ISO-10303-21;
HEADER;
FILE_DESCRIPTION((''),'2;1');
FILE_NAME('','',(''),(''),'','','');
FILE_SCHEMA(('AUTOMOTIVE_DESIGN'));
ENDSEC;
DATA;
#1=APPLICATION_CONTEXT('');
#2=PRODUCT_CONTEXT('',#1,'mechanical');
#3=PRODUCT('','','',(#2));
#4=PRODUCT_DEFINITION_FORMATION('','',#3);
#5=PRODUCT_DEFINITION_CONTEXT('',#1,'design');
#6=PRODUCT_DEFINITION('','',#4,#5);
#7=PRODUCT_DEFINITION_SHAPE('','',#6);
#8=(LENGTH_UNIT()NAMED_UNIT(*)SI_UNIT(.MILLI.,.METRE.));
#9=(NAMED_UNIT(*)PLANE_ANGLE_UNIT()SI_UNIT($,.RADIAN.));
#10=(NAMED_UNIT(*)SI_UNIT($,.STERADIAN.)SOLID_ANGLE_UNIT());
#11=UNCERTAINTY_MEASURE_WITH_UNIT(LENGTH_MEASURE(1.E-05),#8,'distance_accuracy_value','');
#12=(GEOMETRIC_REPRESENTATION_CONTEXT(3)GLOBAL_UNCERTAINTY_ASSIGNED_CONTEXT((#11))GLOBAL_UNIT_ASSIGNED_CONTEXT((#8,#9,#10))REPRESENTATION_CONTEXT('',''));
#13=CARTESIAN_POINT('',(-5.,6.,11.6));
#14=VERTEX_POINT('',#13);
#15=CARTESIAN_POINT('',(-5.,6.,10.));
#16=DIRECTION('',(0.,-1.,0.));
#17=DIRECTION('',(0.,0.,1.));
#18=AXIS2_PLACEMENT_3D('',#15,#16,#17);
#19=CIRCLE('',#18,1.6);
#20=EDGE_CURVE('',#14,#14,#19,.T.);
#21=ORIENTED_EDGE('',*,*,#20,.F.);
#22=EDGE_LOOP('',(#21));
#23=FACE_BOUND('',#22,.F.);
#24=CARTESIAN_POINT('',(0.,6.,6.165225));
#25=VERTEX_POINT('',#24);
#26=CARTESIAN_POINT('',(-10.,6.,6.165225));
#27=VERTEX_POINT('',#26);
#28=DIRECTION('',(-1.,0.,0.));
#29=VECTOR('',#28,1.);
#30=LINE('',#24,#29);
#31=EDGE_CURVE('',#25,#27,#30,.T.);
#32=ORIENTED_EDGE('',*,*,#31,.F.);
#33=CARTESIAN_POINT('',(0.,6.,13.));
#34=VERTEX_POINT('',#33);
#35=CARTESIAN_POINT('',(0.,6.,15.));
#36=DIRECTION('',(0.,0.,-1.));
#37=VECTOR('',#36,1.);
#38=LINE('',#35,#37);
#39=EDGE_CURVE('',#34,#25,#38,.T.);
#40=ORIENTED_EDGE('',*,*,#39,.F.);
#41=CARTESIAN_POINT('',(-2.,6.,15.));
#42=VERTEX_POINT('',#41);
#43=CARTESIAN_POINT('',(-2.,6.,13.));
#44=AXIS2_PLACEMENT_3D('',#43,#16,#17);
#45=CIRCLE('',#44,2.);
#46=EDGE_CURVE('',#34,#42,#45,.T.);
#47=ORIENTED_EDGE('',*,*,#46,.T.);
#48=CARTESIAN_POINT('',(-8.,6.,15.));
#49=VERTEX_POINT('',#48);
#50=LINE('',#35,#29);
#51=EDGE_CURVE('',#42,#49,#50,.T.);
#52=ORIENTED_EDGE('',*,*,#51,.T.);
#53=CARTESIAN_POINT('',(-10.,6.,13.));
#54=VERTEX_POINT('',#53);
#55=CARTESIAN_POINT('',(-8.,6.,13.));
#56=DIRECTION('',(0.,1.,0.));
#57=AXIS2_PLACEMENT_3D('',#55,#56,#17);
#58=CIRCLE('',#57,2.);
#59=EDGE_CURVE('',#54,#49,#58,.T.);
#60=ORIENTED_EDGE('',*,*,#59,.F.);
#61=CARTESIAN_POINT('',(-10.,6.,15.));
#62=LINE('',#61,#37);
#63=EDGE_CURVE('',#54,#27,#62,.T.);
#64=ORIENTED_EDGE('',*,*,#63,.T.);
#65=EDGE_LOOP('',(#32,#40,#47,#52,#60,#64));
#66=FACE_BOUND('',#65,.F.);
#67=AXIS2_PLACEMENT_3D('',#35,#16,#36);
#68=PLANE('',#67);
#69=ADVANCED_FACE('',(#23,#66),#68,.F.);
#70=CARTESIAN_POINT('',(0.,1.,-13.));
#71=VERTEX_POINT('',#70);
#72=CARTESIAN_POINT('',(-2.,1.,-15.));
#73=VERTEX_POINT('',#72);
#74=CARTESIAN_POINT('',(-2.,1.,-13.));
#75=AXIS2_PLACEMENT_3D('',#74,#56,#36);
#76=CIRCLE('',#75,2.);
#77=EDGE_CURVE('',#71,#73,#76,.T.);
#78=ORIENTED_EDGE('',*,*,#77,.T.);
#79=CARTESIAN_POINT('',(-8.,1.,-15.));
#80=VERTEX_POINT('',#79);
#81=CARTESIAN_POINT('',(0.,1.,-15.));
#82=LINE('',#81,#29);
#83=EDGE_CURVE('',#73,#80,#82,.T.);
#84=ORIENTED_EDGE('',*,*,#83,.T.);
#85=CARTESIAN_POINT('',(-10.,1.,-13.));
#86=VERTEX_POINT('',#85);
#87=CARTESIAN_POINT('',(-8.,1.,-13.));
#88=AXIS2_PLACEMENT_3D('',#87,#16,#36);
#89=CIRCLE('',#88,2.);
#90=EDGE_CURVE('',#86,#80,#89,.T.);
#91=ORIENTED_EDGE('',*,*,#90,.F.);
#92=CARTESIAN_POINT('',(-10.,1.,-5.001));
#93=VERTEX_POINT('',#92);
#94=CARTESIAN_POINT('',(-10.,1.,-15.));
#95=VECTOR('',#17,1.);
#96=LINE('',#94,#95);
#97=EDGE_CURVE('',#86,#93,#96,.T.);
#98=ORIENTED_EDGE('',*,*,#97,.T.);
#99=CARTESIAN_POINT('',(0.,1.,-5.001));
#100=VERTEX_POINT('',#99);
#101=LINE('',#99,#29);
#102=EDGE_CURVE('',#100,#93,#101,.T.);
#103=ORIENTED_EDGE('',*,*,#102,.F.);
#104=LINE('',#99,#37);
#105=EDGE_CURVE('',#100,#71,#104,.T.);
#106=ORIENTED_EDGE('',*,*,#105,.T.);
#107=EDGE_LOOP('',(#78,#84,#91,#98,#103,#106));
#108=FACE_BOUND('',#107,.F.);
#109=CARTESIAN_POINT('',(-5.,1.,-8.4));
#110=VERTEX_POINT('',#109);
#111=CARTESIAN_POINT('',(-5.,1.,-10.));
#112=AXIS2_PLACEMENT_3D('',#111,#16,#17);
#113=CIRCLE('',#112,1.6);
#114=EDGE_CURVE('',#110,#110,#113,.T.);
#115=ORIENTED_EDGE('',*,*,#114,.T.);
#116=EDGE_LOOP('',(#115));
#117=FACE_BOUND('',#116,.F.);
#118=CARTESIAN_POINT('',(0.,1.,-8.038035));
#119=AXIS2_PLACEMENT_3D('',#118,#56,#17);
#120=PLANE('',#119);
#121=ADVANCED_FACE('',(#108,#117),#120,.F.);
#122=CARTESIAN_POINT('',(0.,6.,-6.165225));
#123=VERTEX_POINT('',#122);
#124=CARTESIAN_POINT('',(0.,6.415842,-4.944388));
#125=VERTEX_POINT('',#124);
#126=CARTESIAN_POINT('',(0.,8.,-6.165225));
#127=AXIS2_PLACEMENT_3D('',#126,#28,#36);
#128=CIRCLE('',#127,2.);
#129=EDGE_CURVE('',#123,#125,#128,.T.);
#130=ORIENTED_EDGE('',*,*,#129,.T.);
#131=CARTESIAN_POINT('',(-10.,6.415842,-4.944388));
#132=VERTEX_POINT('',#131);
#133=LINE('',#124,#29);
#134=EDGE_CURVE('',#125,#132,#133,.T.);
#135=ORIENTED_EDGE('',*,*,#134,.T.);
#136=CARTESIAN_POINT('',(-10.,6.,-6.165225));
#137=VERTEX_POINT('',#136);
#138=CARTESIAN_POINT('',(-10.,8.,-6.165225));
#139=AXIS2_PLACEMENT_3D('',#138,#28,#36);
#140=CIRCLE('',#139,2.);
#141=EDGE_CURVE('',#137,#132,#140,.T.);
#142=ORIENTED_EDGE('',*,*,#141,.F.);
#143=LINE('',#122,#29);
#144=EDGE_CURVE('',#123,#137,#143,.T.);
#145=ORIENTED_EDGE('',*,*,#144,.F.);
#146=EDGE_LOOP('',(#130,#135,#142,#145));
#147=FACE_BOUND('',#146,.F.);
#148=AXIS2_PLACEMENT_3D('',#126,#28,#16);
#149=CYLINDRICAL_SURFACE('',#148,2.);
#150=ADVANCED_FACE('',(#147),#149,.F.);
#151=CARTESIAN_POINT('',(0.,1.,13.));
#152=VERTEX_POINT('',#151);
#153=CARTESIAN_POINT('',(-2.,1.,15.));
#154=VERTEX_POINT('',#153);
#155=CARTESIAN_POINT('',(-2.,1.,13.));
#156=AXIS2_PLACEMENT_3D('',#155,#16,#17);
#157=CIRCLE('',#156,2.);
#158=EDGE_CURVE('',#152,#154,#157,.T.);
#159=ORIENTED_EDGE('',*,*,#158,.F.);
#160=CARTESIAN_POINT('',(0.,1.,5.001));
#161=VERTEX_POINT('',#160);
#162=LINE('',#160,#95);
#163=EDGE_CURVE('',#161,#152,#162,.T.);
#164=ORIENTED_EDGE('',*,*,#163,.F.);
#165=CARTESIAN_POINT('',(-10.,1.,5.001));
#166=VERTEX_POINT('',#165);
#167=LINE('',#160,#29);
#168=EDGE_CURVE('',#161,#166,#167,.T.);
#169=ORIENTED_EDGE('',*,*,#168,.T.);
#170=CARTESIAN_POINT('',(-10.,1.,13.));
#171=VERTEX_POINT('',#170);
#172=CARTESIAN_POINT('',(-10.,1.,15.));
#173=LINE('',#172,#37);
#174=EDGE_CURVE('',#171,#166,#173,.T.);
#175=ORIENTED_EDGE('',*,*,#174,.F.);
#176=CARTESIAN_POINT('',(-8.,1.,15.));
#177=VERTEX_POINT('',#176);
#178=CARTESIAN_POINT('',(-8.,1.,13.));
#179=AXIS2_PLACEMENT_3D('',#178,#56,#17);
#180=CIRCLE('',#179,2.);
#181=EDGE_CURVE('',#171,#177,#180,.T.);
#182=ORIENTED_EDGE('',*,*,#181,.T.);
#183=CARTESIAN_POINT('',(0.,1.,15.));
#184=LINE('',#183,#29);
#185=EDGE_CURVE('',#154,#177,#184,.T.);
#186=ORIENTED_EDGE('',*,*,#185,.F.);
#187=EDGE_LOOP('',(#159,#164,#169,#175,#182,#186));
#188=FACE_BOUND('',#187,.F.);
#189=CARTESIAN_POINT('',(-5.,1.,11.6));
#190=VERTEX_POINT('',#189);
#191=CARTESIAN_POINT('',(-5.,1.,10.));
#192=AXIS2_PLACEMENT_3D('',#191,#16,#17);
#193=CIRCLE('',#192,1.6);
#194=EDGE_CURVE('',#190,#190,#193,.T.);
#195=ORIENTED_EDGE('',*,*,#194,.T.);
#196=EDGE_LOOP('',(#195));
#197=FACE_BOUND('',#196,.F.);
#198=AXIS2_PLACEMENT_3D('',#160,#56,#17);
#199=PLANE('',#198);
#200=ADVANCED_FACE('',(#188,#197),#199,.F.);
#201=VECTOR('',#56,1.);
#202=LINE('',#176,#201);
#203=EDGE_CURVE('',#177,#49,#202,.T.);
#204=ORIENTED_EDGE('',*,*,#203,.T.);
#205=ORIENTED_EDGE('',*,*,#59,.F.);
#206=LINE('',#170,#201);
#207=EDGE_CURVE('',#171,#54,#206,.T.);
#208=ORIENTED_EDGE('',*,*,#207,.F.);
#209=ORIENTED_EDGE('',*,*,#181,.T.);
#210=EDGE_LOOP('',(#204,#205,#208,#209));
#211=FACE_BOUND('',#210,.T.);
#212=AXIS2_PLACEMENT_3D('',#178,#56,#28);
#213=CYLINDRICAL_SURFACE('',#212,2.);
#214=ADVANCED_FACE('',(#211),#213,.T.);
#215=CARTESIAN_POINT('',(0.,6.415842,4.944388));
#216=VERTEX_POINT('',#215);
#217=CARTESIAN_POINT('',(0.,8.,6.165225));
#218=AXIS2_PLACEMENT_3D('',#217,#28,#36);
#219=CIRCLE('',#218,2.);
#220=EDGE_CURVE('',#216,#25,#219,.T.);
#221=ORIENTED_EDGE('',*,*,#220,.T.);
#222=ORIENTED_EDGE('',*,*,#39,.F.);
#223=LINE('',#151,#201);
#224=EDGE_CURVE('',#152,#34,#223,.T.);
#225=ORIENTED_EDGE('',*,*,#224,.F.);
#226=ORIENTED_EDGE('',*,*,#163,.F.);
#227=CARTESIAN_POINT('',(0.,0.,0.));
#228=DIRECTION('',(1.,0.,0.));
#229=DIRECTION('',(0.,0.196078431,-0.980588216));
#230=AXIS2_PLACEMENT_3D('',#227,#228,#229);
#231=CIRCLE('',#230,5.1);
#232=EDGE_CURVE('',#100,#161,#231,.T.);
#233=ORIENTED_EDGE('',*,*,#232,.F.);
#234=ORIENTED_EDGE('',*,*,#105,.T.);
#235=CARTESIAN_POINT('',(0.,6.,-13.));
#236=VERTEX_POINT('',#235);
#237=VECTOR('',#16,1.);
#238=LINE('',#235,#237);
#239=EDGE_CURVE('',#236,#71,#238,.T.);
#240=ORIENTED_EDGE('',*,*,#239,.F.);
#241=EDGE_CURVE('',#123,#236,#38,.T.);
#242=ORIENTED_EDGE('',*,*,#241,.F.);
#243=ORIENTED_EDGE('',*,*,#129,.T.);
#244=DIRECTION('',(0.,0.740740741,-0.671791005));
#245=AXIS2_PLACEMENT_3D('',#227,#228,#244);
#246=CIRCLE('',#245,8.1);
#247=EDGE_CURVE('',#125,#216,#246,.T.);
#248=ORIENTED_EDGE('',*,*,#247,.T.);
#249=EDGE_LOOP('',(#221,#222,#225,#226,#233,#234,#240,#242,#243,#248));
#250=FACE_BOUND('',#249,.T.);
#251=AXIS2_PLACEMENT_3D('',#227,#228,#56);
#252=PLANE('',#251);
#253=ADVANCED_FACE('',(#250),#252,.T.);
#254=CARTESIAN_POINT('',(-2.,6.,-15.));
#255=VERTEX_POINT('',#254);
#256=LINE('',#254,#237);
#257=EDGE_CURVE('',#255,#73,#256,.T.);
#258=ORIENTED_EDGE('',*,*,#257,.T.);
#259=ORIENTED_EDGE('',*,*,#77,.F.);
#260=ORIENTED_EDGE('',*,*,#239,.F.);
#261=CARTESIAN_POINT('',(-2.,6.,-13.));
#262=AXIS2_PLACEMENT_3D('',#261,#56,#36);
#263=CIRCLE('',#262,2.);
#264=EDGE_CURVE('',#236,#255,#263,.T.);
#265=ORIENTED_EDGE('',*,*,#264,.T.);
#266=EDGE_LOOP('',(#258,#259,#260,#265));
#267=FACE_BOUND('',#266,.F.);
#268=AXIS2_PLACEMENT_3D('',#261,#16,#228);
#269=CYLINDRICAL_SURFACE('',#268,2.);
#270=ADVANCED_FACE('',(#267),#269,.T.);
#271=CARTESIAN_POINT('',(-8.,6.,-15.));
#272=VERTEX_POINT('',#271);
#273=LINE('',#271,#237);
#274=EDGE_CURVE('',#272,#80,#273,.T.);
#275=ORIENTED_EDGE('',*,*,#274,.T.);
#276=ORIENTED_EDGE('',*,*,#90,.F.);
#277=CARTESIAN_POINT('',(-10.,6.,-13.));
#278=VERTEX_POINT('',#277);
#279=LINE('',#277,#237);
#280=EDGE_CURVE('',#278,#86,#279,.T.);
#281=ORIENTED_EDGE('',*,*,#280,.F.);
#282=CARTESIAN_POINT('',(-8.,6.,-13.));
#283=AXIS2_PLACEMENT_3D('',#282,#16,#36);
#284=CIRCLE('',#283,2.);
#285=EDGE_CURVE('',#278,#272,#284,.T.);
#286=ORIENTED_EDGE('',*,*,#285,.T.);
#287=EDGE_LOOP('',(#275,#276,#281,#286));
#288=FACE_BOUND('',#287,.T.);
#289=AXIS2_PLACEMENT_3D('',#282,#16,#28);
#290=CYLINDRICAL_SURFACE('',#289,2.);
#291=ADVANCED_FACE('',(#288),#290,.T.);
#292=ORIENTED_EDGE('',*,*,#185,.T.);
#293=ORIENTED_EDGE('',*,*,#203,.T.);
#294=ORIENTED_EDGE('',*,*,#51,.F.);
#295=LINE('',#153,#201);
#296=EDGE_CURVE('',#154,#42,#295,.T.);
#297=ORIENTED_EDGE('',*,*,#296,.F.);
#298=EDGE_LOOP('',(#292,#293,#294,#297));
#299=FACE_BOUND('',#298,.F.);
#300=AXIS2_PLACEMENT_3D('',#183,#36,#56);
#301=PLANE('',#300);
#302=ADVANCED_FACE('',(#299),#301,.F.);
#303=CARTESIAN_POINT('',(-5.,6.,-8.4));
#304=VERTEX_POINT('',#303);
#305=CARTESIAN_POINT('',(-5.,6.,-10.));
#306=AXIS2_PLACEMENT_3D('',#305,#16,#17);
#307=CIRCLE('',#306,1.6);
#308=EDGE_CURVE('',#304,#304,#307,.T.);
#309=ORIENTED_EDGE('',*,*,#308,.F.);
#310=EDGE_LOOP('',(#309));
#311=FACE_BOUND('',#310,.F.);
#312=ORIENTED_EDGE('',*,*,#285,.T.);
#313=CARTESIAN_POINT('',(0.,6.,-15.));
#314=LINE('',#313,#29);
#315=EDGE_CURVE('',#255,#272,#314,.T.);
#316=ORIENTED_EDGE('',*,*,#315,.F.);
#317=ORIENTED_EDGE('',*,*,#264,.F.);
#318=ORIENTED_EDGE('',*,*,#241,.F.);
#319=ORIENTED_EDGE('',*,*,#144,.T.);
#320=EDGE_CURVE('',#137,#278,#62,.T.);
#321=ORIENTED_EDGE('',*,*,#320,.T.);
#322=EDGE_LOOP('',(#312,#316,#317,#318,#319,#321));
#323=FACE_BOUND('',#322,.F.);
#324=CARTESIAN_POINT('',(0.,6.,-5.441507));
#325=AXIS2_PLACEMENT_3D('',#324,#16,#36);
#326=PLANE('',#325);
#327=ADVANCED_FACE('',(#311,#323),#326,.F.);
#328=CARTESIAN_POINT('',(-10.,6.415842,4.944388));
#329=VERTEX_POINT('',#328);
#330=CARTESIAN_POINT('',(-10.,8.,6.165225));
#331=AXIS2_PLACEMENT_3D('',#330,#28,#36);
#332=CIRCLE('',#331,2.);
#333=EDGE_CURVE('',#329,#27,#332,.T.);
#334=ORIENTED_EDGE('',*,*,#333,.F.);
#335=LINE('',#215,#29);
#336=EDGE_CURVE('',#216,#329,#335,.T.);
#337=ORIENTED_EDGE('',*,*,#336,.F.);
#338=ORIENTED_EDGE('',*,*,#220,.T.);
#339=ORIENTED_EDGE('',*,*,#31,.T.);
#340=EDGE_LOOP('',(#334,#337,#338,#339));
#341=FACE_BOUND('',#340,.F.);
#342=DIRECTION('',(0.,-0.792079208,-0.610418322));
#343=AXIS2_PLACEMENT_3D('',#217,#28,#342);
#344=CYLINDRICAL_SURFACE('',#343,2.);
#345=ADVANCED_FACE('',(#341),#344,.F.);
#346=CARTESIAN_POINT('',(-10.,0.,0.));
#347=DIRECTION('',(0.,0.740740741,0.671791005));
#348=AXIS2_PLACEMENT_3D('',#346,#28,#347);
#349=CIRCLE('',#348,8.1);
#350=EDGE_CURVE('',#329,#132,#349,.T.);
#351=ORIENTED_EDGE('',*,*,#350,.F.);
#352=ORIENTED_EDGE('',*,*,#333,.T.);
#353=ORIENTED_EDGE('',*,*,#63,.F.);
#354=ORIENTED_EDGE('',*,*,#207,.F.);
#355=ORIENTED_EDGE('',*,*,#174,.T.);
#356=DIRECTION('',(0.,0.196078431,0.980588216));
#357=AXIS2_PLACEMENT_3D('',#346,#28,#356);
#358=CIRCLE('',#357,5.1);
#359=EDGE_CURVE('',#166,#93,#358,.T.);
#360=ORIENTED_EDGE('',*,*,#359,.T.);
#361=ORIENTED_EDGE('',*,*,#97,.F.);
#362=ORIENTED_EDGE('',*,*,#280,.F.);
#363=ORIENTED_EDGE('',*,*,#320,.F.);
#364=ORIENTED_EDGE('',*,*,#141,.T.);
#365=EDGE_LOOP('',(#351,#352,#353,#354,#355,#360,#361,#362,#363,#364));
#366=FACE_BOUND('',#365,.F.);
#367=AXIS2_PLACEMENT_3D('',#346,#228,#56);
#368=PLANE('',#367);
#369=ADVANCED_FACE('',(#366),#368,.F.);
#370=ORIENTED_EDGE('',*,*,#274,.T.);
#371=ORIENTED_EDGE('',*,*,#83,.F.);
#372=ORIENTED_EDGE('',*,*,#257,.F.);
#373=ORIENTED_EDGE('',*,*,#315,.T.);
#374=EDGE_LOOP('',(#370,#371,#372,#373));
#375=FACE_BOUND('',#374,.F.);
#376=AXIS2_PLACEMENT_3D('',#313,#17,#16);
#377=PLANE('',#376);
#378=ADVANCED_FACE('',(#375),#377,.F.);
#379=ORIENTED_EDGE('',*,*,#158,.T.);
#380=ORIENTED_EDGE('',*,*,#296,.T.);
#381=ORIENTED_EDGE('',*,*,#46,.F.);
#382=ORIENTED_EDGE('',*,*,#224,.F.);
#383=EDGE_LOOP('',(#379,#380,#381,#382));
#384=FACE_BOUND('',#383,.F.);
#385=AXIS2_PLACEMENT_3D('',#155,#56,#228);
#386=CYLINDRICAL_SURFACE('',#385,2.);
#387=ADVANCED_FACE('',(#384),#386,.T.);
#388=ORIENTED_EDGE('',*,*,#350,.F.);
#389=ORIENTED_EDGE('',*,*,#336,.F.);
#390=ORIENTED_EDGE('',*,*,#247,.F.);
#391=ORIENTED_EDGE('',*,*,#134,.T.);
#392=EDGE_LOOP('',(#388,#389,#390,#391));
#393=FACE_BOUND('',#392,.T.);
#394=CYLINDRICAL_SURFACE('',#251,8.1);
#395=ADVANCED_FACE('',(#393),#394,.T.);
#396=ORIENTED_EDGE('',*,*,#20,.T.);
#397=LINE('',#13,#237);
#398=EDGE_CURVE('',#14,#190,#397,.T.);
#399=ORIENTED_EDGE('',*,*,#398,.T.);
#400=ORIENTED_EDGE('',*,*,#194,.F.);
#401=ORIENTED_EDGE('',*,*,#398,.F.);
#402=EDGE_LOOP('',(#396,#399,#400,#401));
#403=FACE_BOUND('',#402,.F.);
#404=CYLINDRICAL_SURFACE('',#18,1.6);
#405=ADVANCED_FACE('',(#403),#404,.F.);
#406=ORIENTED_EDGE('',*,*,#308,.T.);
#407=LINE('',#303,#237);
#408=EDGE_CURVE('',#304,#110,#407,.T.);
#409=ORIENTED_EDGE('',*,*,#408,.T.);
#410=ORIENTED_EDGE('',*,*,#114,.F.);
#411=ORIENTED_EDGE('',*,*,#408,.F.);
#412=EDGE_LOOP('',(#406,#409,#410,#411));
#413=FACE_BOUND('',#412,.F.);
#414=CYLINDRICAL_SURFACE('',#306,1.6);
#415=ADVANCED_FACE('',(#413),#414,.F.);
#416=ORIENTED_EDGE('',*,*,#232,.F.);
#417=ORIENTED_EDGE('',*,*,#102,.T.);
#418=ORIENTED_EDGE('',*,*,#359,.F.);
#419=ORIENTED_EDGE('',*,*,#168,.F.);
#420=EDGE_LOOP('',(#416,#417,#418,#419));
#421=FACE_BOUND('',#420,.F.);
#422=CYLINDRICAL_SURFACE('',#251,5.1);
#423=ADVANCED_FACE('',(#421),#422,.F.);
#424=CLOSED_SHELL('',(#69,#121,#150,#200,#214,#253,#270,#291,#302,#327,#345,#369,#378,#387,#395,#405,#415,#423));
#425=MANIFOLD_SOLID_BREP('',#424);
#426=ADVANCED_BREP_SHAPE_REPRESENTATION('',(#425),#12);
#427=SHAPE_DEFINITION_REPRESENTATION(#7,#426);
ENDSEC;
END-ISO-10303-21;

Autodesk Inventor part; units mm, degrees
ref_plane "YZ Plane" through (0, 0, 0) normal (1, 0, 0) x (0, 1, 0)
ref_plane "XZ Plane" through (0, 0, 0) normal (0, 1, 0) x (-1, 0, 0)
ref_plane "XY Plane" through (0, 0, 0) normal (0, 0, 1) x (1, 0, 0)
sketch "スケッチ1" plane through (0, 0, 0) normal (1, 0, 0) x (0, 1, 0)
  circle A0 centre (0, 0) radius 5.1
  line L0 (1, 15) -> (6, 15)
  line L1 (6, 15) -> (6, -15)
  line L2 (6, -15) -> (1, -15)
  line L3 (1, -15) -> (1, 15)
  circle A1 centre (0, 0) radius 8.1
  point P0 (1, 5.001)
  point P1 (1, -5.001)
  point P2 (6, -5.4415)
  point P3 (6, 5.4415)
  dimension "d0" = 10.2
  dimension "d1" = 1
  dimension "d2" = 30
  dimension "d3" = 15
  dimension "d4" = 5
  dimension "d5" = 3
extrude "押し出し1" add sketch "スケッチ1" against normal blind 10 contours A0 L3 A1 L1 | L3 L0 L1 A1 | A1 L1 L2 L3 | A1 L1
sketch "スケッチ2" plane through (0, 6, 15) normal (0, 1, 0) x (1, 0, 0)
  line L0 (0, 9.5585) -> (0, 0) projected
  line L1 (0, 0) -> (-10, 0) projected
  line L2 (0, 30) -> (0, 20.4415) projected
  line L3 (0, 30) -> (-10, 30) projected
  point P0 (0, 15)
  point P1 (-5, 5)
  point P2 (-5, 25)
  dimension "d8" = 5
  dimension "d9" = 5
  dimension "d10" = 5
  dimension "d11" = 5
hole "穴1" at (-5, 6, 10) at (-5, 6, -10) direction (0, -1, 0) diameter 3.2 end through all
fillet "フィレット1" radius 2 6 edges at (0, 3.5, 15) (-10, 3.5, 15) (-5, 6, 5.4415) (-5, 6, -5.4415) (0, 3.5, -15) (-10, 3.5, -15)
properties part number "belt_liner_v5_3DP_P-2" material "ABS プラスチック"
